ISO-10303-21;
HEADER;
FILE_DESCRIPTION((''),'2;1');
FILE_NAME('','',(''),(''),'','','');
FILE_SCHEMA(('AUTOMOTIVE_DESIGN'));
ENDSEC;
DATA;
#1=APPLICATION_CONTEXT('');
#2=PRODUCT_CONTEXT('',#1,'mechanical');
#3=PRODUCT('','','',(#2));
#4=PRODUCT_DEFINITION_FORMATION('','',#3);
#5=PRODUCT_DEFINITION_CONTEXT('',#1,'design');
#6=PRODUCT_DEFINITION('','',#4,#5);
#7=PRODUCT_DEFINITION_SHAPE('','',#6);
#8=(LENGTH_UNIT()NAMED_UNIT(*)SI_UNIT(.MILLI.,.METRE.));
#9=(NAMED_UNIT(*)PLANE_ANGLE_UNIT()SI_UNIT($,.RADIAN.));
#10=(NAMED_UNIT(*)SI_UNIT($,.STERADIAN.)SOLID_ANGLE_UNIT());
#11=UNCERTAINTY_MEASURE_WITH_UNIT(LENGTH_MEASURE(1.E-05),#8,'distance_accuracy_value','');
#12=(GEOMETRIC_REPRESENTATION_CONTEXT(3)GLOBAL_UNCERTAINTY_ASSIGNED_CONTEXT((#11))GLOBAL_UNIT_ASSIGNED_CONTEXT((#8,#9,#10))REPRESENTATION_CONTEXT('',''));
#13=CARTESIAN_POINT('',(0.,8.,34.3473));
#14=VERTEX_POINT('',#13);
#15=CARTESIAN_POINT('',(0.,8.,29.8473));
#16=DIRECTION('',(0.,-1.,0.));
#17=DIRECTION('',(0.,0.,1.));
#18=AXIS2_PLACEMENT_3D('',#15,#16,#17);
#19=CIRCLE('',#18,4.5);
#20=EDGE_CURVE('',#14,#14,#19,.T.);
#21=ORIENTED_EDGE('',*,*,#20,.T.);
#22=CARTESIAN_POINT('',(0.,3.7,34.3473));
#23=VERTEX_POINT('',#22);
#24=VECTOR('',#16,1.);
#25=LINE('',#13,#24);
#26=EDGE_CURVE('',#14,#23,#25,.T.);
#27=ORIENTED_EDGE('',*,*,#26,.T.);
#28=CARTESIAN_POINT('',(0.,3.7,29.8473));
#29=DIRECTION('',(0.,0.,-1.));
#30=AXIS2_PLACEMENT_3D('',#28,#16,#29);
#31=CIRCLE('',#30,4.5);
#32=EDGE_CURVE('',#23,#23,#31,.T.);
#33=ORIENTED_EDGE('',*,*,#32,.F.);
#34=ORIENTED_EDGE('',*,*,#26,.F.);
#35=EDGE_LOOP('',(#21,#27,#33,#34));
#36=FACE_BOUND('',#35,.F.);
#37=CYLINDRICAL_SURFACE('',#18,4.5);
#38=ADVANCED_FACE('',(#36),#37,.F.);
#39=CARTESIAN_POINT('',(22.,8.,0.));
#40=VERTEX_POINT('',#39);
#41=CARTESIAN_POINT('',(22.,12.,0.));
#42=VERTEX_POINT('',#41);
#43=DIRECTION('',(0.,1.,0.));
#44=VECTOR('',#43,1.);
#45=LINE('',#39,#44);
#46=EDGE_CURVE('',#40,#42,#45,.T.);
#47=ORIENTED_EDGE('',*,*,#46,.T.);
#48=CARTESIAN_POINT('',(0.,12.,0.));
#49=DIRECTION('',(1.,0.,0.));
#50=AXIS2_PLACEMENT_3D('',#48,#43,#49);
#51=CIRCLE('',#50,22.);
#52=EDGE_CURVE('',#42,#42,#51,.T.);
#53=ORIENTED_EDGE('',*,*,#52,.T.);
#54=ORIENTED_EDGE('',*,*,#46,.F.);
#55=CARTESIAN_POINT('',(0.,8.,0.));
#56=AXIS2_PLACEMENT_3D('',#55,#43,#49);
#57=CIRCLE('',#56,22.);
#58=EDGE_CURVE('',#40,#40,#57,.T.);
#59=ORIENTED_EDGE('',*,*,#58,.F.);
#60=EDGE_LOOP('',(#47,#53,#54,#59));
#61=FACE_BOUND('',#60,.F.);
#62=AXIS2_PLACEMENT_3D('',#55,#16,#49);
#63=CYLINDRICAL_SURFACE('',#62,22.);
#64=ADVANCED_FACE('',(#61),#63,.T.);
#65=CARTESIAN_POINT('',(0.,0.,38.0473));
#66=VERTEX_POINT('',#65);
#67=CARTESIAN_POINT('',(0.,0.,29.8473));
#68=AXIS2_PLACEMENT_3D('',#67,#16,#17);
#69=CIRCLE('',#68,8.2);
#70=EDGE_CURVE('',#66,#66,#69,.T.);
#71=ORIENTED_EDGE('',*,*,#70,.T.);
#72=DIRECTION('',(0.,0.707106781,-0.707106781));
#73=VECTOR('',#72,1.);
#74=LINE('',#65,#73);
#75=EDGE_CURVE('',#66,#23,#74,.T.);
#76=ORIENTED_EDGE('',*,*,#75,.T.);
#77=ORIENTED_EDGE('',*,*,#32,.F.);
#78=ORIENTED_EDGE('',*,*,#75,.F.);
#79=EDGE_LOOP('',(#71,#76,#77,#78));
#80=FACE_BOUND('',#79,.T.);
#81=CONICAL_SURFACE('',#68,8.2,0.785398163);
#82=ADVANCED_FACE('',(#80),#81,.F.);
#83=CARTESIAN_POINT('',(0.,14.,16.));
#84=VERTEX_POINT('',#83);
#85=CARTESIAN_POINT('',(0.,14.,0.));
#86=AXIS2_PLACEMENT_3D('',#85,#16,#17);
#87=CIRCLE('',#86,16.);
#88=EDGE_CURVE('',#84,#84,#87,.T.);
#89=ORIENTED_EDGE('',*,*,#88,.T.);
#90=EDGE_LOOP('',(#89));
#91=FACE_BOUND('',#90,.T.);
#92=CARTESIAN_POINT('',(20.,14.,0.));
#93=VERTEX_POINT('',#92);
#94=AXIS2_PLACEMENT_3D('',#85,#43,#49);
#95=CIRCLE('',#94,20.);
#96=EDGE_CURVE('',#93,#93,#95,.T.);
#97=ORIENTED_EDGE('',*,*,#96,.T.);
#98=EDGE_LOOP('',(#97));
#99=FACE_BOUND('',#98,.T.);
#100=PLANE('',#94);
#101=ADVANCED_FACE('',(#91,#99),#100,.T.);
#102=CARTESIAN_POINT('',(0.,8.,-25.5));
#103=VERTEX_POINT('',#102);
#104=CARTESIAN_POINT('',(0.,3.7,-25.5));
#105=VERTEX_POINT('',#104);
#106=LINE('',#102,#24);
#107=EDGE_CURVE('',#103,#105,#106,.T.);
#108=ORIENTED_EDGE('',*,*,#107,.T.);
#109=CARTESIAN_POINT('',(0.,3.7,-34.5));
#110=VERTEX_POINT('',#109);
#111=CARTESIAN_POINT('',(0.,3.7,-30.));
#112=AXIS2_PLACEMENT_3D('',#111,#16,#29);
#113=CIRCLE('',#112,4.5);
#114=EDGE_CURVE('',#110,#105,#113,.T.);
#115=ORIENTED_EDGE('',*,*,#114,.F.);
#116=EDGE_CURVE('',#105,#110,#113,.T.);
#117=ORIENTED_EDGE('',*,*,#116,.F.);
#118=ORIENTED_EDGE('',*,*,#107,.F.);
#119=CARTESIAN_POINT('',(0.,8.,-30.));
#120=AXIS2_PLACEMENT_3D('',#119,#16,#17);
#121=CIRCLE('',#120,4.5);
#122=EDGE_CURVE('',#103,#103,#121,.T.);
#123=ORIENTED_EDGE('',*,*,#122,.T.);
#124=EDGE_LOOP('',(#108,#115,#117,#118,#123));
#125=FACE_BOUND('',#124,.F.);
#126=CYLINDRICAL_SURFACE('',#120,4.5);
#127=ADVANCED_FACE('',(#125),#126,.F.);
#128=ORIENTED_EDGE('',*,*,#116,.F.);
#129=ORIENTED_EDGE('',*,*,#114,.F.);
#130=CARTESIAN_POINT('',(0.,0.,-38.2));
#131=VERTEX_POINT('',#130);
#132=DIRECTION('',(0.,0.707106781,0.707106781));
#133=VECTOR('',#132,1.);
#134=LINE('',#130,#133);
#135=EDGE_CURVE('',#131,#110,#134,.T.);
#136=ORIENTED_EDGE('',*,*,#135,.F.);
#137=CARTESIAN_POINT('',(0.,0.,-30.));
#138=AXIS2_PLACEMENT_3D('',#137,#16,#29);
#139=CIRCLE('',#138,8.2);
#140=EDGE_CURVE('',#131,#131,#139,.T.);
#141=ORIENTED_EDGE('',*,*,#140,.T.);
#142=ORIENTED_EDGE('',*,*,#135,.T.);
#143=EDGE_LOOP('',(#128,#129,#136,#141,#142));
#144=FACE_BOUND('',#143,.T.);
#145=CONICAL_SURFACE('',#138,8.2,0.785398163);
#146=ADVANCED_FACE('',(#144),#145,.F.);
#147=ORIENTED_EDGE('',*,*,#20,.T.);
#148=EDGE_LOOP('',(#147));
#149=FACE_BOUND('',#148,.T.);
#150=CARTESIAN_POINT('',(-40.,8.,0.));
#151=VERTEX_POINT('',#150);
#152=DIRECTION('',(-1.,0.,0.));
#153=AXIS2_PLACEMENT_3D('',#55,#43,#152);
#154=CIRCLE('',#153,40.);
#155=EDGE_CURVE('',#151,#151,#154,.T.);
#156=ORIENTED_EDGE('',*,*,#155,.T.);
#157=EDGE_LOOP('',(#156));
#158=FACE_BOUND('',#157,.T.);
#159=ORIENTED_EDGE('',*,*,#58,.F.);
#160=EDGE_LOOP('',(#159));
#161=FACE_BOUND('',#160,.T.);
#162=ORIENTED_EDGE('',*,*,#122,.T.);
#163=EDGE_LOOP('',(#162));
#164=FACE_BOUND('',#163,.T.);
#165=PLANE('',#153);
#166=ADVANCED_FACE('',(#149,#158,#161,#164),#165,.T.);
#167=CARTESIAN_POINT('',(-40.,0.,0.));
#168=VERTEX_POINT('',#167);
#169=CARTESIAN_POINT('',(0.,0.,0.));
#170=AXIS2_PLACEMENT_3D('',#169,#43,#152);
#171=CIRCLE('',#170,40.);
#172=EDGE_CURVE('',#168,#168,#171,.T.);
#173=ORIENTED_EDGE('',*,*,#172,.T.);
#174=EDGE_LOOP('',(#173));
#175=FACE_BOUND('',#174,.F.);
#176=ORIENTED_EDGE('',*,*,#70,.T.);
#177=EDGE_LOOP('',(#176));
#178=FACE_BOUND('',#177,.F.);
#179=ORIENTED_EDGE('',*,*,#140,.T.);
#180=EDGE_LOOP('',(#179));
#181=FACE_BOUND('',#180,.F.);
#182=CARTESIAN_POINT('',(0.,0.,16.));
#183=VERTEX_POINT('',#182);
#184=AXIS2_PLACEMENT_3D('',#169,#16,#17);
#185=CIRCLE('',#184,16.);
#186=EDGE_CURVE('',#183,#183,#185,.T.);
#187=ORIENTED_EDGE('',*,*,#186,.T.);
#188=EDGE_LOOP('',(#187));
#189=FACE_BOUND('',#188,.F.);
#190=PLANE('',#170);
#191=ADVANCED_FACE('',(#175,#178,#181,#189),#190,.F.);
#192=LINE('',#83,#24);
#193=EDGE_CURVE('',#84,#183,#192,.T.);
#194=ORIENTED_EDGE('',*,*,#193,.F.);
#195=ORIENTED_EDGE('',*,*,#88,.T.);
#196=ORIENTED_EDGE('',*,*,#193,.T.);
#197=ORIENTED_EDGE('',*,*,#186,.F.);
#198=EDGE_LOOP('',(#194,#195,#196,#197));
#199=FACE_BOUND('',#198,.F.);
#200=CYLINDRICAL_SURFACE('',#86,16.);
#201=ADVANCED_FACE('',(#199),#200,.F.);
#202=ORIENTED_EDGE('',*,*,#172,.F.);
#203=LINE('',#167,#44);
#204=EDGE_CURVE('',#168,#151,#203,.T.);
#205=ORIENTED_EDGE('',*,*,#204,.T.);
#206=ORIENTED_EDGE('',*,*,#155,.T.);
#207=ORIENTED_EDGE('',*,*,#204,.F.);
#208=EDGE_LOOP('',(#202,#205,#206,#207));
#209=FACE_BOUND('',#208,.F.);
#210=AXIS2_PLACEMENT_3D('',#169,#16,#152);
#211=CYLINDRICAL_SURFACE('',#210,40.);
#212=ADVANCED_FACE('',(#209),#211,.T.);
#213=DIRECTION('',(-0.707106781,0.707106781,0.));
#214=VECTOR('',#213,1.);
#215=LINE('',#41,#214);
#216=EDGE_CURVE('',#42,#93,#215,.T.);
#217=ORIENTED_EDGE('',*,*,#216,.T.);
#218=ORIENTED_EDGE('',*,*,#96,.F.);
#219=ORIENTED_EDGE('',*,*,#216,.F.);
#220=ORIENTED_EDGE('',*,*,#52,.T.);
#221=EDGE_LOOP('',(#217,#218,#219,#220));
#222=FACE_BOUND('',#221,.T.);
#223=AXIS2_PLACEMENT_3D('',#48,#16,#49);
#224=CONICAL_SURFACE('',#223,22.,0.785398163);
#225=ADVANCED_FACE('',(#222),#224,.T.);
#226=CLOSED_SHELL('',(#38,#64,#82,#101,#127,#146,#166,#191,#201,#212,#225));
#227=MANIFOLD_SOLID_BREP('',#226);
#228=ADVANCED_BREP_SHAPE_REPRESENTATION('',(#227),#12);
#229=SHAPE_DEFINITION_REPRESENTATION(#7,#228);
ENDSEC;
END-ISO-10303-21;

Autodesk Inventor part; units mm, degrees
ref_plane "YZ Plane" through (0, 0, 0) normal (1, 0, 0) x (0, 1, 0)
ref_plane "XZ Plane" through (0, 0, 0) normal (0, 1, 0) x (-1, 0, 0)
ref_plane "XY Plane" through (0, 0, 0) normal (0, 0, 1) x (1, 0, 0)
sketch "Эскиз1" plane through (0, 0, 0) normal (0, 1, 0) x (-1, 0, 0)
  point P0 (0, 0)
sketch "Эскиз2" plane through (0, 0, 0) normal (0, 1, 0) x (-1, 0, 0)
  circle A0 centre (0, 0) radius 40
  dimension "d0" = 80
extrude "Выдавливание1" add sketch "Эскиз2" along normal blind 8
sketch "Эскиз3" plane through (0, 0, 0) normal (0, -1, 0) x (1, 0, 0)
  circle A0 centre (0, 30) radius 8.2
  circle A1 centre (0, -30) radius 8.2
  point P0 (0, 0)
  dimension "d3" = 16.4
  dimension "d4" = 16.4
sketch "Эскиз4" plane through (0, 0, 0) normal (1, 0, 0) x (0, 1, 0)
  line L0 (0, 40) -> (0, -40) projected
  line L1 (0, 29.8473) -> (0, 38.0473)
  line L2 (0, 38.0473) -> (8.2, 29.8473)
  line L3 (8.2, 29.8473) -> (0, 29.8473)
  point P0 (0, 0)
  dimension "d5" = 8.2
  dimension "d6" = 45
revolve "Вращение1" cut sketch "Эскиз4" angle 360 about axis through (0, 8.2, 29.8473) along (0, -1, 0)
sketch "Эскиз5" plane through (0, 0, 0) normal (1, 0, 0) x (0, 1, 0)
  point P0 (0, 0)
sketch "Эскиз6" plane through (0, 0, 0) normal (1, 0, 0) x (0, 1, 0)
  line L0 (0, 40) -> (0, -40) projected
  line L1 (0, -30) -> (0, -38.2)
  line L2 (0, -38.2) -> (8.2, -30)
  line L3 (8.2, -30) -> (0, -30)
  point P0 (0, 0)
  dimension "d8" = 8.2
  dimension "d9" = 45
revolve "Вращение2" cut sketch "Эскиз6" angle 360 about axis through (0, 8.2, -30) along (0, -1, 0)
sketch "Эскиз7" plane through (0, 8, 0) normal (0, 1, 0) x (1, 0, 0)
  circle A0 centre (0, 30) radius 0.2 projected
  circle A1 centre (0, -29.8473) radius 0.2 projected
  point P0 (0, 0)
hole "Отверстие1" at (0, 8, -30) at (0, 8, 29.8473) direction (0, -1, 0) diameter 9 end through all
sketch "Эскиз8" plane through (0, 8, 0) normal (0, 1, 0) x (1, 0, 0)
  circle A0 centre (0, 0) radius 22
  dimension "d18" = 44
extrude "Выдавливание2" add sketch "Эскиз8" along normal blind 6
sketch "Эскиз9" plane through (0, 14, 0) normal (0, 1, 0) x (1, 0, 0)
  point P0 (0, 0)
  point P1 (0, 0)
hole "Отверстие2" at (0, 14, 0) direction (0, -1, 0) diameter 32 end through all
chamfer "Фаска1" distance 2 angle 45 1 edges at (-22, 14, 0)
properties part number "крышка"
